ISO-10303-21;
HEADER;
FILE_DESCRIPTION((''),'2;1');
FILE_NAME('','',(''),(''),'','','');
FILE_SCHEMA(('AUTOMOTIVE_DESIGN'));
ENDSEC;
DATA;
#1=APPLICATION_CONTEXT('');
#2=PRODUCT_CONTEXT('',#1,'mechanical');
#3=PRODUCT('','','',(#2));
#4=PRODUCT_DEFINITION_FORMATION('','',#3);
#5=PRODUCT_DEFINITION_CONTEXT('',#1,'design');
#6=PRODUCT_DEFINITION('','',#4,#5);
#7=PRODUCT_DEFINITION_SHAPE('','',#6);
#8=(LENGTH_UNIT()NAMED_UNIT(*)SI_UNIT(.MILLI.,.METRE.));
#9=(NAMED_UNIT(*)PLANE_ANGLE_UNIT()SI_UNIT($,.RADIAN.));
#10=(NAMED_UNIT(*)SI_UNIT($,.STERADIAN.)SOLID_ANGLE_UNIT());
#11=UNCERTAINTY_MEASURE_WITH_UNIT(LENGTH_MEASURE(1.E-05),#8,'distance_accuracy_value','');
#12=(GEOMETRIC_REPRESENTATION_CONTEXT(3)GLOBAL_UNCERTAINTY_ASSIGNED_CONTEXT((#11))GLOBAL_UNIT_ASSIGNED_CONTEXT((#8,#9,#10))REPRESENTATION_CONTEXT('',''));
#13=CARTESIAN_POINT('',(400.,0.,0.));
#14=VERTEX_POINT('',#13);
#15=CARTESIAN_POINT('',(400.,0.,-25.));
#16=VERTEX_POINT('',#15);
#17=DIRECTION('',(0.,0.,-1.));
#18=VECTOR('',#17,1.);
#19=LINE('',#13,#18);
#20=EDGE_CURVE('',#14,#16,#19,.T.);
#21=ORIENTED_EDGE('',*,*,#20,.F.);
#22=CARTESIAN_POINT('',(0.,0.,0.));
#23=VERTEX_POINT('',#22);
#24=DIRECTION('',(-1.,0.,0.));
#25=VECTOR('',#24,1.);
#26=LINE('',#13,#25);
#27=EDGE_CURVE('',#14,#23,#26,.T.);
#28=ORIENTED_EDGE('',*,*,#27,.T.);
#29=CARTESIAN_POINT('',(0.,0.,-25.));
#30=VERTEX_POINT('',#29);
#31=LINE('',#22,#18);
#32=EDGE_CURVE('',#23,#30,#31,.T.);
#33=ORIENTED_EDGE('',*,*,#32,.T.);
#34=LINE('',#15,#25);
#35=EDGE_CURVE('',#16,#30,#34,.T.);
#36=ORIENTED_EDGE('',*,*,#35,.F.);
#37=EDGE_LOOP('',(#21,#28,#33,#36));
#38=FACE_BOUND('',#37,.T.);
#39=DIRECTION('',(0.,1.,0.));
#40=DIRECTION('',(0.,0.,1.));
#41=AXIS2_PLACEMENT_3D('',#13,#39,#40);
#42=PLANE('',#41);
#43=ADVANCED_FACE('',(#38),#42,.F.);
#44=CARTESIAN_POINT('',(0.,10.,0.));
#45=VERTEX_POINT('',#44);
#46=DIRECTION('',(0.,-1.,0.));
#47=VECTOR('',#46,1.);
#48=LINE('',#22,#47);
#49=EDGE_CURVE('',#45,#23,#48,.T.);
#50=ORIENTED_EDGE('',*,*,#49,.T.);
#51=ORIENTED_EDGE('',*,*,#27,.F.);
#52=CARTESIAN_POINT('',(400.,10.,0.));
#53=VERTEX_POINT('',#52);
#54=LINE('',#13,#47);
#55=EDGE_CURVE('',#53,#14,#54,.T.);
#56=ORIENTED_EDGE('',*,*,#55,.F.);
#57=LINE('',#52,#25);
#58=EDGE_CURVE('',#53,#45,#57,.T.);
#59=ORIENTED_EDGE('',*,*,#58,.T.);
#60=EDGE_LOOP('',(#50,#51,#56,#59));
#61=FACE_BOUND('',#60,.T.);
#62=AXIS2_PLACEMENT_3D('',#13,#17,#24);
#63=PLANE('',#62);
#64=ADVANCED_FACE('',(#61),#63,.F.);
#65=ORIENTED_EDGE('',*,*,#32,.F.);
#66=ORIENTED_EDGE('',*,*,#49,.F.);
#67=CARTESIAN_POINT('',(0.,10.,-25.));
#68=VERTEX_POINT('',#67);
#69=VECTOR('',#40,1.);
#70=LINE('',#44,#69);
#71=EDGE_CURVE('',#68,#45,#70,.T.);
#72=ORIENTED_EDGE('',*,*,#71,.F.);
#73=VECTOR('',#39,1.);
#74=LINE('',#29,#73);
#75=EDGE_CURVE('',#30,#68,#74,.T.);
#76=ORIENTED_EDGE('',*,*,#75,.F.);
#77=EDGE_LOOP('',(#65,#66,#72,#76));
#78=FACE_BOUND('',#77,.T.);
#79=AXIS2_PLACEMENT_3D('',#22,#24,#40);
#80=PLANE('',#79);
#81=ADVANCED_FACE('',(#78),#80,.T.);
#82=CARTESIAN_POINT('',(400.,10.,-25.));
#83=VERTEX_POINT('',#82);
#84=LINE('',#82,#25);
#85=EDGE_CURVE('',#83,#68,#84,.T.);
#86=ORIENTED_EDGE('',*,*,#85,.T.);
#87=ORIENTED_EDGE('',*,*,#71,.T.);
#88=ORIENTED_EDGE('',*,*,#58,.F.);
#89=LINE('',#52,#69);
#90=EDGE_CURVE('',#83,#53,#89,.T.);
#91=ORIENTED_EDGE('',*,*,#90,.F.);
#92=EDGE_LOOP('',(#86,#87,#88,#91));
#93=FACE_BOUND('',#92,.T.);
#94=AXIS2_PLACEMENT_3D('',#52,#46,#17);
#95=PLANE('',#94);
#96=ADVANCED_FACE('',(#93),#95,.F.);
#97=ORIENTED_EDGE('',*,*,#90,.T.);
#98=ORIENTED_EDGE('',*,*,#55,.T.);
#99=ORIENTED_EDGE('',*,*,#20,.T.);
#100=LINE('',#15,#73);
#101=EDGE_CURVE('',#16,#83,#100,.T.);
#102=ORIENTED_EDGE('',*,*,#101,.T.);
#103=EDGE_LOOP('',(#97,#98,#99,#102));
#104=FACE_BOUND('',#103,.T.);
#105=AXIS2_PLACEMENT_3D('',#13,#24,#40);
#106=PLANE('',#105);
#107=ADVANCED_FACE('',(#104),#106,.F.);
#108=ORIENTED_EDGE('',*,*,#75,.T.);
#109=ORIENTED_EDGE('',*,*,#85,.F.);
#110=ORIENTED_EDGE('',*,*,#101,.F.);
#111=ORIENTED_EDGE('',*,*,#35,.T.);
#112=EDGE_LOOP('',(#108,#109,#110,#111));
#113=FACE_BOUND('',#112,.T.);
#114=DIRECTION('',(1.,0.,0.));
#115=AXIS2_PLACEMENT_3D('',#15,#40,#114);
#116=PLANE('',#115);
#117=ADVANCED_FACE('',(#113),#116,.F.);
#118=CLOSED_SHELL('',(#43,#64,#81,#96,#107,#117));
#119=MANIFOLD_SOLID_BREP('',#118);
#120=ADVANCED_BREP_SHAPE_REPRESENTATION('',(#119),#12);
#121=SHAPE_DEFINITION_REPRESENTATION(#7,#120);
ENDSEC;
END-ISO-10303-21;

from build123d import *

# Parameters (mm, degrees)
SKETCH_1_W      = 25
SKETCH_1_H      = 10
EXTRUDE_1_DEPTH = 400


with BuildPart() as part:
    # Эскиз1 → Бобышка-Вытянуть1 (new body)
    with BuildSketch(Plane(origin=(0, 0, 0), x_dir=(0, 0, -1), z_dir=(1, 0, 0))):
        with Locations((12.5, 5)):
            Rectangle(SKETCH_1_W, SKETCH_1_H)
    extrude(amount=EXTRUDE_1_DEPTH)


solid = part.part
